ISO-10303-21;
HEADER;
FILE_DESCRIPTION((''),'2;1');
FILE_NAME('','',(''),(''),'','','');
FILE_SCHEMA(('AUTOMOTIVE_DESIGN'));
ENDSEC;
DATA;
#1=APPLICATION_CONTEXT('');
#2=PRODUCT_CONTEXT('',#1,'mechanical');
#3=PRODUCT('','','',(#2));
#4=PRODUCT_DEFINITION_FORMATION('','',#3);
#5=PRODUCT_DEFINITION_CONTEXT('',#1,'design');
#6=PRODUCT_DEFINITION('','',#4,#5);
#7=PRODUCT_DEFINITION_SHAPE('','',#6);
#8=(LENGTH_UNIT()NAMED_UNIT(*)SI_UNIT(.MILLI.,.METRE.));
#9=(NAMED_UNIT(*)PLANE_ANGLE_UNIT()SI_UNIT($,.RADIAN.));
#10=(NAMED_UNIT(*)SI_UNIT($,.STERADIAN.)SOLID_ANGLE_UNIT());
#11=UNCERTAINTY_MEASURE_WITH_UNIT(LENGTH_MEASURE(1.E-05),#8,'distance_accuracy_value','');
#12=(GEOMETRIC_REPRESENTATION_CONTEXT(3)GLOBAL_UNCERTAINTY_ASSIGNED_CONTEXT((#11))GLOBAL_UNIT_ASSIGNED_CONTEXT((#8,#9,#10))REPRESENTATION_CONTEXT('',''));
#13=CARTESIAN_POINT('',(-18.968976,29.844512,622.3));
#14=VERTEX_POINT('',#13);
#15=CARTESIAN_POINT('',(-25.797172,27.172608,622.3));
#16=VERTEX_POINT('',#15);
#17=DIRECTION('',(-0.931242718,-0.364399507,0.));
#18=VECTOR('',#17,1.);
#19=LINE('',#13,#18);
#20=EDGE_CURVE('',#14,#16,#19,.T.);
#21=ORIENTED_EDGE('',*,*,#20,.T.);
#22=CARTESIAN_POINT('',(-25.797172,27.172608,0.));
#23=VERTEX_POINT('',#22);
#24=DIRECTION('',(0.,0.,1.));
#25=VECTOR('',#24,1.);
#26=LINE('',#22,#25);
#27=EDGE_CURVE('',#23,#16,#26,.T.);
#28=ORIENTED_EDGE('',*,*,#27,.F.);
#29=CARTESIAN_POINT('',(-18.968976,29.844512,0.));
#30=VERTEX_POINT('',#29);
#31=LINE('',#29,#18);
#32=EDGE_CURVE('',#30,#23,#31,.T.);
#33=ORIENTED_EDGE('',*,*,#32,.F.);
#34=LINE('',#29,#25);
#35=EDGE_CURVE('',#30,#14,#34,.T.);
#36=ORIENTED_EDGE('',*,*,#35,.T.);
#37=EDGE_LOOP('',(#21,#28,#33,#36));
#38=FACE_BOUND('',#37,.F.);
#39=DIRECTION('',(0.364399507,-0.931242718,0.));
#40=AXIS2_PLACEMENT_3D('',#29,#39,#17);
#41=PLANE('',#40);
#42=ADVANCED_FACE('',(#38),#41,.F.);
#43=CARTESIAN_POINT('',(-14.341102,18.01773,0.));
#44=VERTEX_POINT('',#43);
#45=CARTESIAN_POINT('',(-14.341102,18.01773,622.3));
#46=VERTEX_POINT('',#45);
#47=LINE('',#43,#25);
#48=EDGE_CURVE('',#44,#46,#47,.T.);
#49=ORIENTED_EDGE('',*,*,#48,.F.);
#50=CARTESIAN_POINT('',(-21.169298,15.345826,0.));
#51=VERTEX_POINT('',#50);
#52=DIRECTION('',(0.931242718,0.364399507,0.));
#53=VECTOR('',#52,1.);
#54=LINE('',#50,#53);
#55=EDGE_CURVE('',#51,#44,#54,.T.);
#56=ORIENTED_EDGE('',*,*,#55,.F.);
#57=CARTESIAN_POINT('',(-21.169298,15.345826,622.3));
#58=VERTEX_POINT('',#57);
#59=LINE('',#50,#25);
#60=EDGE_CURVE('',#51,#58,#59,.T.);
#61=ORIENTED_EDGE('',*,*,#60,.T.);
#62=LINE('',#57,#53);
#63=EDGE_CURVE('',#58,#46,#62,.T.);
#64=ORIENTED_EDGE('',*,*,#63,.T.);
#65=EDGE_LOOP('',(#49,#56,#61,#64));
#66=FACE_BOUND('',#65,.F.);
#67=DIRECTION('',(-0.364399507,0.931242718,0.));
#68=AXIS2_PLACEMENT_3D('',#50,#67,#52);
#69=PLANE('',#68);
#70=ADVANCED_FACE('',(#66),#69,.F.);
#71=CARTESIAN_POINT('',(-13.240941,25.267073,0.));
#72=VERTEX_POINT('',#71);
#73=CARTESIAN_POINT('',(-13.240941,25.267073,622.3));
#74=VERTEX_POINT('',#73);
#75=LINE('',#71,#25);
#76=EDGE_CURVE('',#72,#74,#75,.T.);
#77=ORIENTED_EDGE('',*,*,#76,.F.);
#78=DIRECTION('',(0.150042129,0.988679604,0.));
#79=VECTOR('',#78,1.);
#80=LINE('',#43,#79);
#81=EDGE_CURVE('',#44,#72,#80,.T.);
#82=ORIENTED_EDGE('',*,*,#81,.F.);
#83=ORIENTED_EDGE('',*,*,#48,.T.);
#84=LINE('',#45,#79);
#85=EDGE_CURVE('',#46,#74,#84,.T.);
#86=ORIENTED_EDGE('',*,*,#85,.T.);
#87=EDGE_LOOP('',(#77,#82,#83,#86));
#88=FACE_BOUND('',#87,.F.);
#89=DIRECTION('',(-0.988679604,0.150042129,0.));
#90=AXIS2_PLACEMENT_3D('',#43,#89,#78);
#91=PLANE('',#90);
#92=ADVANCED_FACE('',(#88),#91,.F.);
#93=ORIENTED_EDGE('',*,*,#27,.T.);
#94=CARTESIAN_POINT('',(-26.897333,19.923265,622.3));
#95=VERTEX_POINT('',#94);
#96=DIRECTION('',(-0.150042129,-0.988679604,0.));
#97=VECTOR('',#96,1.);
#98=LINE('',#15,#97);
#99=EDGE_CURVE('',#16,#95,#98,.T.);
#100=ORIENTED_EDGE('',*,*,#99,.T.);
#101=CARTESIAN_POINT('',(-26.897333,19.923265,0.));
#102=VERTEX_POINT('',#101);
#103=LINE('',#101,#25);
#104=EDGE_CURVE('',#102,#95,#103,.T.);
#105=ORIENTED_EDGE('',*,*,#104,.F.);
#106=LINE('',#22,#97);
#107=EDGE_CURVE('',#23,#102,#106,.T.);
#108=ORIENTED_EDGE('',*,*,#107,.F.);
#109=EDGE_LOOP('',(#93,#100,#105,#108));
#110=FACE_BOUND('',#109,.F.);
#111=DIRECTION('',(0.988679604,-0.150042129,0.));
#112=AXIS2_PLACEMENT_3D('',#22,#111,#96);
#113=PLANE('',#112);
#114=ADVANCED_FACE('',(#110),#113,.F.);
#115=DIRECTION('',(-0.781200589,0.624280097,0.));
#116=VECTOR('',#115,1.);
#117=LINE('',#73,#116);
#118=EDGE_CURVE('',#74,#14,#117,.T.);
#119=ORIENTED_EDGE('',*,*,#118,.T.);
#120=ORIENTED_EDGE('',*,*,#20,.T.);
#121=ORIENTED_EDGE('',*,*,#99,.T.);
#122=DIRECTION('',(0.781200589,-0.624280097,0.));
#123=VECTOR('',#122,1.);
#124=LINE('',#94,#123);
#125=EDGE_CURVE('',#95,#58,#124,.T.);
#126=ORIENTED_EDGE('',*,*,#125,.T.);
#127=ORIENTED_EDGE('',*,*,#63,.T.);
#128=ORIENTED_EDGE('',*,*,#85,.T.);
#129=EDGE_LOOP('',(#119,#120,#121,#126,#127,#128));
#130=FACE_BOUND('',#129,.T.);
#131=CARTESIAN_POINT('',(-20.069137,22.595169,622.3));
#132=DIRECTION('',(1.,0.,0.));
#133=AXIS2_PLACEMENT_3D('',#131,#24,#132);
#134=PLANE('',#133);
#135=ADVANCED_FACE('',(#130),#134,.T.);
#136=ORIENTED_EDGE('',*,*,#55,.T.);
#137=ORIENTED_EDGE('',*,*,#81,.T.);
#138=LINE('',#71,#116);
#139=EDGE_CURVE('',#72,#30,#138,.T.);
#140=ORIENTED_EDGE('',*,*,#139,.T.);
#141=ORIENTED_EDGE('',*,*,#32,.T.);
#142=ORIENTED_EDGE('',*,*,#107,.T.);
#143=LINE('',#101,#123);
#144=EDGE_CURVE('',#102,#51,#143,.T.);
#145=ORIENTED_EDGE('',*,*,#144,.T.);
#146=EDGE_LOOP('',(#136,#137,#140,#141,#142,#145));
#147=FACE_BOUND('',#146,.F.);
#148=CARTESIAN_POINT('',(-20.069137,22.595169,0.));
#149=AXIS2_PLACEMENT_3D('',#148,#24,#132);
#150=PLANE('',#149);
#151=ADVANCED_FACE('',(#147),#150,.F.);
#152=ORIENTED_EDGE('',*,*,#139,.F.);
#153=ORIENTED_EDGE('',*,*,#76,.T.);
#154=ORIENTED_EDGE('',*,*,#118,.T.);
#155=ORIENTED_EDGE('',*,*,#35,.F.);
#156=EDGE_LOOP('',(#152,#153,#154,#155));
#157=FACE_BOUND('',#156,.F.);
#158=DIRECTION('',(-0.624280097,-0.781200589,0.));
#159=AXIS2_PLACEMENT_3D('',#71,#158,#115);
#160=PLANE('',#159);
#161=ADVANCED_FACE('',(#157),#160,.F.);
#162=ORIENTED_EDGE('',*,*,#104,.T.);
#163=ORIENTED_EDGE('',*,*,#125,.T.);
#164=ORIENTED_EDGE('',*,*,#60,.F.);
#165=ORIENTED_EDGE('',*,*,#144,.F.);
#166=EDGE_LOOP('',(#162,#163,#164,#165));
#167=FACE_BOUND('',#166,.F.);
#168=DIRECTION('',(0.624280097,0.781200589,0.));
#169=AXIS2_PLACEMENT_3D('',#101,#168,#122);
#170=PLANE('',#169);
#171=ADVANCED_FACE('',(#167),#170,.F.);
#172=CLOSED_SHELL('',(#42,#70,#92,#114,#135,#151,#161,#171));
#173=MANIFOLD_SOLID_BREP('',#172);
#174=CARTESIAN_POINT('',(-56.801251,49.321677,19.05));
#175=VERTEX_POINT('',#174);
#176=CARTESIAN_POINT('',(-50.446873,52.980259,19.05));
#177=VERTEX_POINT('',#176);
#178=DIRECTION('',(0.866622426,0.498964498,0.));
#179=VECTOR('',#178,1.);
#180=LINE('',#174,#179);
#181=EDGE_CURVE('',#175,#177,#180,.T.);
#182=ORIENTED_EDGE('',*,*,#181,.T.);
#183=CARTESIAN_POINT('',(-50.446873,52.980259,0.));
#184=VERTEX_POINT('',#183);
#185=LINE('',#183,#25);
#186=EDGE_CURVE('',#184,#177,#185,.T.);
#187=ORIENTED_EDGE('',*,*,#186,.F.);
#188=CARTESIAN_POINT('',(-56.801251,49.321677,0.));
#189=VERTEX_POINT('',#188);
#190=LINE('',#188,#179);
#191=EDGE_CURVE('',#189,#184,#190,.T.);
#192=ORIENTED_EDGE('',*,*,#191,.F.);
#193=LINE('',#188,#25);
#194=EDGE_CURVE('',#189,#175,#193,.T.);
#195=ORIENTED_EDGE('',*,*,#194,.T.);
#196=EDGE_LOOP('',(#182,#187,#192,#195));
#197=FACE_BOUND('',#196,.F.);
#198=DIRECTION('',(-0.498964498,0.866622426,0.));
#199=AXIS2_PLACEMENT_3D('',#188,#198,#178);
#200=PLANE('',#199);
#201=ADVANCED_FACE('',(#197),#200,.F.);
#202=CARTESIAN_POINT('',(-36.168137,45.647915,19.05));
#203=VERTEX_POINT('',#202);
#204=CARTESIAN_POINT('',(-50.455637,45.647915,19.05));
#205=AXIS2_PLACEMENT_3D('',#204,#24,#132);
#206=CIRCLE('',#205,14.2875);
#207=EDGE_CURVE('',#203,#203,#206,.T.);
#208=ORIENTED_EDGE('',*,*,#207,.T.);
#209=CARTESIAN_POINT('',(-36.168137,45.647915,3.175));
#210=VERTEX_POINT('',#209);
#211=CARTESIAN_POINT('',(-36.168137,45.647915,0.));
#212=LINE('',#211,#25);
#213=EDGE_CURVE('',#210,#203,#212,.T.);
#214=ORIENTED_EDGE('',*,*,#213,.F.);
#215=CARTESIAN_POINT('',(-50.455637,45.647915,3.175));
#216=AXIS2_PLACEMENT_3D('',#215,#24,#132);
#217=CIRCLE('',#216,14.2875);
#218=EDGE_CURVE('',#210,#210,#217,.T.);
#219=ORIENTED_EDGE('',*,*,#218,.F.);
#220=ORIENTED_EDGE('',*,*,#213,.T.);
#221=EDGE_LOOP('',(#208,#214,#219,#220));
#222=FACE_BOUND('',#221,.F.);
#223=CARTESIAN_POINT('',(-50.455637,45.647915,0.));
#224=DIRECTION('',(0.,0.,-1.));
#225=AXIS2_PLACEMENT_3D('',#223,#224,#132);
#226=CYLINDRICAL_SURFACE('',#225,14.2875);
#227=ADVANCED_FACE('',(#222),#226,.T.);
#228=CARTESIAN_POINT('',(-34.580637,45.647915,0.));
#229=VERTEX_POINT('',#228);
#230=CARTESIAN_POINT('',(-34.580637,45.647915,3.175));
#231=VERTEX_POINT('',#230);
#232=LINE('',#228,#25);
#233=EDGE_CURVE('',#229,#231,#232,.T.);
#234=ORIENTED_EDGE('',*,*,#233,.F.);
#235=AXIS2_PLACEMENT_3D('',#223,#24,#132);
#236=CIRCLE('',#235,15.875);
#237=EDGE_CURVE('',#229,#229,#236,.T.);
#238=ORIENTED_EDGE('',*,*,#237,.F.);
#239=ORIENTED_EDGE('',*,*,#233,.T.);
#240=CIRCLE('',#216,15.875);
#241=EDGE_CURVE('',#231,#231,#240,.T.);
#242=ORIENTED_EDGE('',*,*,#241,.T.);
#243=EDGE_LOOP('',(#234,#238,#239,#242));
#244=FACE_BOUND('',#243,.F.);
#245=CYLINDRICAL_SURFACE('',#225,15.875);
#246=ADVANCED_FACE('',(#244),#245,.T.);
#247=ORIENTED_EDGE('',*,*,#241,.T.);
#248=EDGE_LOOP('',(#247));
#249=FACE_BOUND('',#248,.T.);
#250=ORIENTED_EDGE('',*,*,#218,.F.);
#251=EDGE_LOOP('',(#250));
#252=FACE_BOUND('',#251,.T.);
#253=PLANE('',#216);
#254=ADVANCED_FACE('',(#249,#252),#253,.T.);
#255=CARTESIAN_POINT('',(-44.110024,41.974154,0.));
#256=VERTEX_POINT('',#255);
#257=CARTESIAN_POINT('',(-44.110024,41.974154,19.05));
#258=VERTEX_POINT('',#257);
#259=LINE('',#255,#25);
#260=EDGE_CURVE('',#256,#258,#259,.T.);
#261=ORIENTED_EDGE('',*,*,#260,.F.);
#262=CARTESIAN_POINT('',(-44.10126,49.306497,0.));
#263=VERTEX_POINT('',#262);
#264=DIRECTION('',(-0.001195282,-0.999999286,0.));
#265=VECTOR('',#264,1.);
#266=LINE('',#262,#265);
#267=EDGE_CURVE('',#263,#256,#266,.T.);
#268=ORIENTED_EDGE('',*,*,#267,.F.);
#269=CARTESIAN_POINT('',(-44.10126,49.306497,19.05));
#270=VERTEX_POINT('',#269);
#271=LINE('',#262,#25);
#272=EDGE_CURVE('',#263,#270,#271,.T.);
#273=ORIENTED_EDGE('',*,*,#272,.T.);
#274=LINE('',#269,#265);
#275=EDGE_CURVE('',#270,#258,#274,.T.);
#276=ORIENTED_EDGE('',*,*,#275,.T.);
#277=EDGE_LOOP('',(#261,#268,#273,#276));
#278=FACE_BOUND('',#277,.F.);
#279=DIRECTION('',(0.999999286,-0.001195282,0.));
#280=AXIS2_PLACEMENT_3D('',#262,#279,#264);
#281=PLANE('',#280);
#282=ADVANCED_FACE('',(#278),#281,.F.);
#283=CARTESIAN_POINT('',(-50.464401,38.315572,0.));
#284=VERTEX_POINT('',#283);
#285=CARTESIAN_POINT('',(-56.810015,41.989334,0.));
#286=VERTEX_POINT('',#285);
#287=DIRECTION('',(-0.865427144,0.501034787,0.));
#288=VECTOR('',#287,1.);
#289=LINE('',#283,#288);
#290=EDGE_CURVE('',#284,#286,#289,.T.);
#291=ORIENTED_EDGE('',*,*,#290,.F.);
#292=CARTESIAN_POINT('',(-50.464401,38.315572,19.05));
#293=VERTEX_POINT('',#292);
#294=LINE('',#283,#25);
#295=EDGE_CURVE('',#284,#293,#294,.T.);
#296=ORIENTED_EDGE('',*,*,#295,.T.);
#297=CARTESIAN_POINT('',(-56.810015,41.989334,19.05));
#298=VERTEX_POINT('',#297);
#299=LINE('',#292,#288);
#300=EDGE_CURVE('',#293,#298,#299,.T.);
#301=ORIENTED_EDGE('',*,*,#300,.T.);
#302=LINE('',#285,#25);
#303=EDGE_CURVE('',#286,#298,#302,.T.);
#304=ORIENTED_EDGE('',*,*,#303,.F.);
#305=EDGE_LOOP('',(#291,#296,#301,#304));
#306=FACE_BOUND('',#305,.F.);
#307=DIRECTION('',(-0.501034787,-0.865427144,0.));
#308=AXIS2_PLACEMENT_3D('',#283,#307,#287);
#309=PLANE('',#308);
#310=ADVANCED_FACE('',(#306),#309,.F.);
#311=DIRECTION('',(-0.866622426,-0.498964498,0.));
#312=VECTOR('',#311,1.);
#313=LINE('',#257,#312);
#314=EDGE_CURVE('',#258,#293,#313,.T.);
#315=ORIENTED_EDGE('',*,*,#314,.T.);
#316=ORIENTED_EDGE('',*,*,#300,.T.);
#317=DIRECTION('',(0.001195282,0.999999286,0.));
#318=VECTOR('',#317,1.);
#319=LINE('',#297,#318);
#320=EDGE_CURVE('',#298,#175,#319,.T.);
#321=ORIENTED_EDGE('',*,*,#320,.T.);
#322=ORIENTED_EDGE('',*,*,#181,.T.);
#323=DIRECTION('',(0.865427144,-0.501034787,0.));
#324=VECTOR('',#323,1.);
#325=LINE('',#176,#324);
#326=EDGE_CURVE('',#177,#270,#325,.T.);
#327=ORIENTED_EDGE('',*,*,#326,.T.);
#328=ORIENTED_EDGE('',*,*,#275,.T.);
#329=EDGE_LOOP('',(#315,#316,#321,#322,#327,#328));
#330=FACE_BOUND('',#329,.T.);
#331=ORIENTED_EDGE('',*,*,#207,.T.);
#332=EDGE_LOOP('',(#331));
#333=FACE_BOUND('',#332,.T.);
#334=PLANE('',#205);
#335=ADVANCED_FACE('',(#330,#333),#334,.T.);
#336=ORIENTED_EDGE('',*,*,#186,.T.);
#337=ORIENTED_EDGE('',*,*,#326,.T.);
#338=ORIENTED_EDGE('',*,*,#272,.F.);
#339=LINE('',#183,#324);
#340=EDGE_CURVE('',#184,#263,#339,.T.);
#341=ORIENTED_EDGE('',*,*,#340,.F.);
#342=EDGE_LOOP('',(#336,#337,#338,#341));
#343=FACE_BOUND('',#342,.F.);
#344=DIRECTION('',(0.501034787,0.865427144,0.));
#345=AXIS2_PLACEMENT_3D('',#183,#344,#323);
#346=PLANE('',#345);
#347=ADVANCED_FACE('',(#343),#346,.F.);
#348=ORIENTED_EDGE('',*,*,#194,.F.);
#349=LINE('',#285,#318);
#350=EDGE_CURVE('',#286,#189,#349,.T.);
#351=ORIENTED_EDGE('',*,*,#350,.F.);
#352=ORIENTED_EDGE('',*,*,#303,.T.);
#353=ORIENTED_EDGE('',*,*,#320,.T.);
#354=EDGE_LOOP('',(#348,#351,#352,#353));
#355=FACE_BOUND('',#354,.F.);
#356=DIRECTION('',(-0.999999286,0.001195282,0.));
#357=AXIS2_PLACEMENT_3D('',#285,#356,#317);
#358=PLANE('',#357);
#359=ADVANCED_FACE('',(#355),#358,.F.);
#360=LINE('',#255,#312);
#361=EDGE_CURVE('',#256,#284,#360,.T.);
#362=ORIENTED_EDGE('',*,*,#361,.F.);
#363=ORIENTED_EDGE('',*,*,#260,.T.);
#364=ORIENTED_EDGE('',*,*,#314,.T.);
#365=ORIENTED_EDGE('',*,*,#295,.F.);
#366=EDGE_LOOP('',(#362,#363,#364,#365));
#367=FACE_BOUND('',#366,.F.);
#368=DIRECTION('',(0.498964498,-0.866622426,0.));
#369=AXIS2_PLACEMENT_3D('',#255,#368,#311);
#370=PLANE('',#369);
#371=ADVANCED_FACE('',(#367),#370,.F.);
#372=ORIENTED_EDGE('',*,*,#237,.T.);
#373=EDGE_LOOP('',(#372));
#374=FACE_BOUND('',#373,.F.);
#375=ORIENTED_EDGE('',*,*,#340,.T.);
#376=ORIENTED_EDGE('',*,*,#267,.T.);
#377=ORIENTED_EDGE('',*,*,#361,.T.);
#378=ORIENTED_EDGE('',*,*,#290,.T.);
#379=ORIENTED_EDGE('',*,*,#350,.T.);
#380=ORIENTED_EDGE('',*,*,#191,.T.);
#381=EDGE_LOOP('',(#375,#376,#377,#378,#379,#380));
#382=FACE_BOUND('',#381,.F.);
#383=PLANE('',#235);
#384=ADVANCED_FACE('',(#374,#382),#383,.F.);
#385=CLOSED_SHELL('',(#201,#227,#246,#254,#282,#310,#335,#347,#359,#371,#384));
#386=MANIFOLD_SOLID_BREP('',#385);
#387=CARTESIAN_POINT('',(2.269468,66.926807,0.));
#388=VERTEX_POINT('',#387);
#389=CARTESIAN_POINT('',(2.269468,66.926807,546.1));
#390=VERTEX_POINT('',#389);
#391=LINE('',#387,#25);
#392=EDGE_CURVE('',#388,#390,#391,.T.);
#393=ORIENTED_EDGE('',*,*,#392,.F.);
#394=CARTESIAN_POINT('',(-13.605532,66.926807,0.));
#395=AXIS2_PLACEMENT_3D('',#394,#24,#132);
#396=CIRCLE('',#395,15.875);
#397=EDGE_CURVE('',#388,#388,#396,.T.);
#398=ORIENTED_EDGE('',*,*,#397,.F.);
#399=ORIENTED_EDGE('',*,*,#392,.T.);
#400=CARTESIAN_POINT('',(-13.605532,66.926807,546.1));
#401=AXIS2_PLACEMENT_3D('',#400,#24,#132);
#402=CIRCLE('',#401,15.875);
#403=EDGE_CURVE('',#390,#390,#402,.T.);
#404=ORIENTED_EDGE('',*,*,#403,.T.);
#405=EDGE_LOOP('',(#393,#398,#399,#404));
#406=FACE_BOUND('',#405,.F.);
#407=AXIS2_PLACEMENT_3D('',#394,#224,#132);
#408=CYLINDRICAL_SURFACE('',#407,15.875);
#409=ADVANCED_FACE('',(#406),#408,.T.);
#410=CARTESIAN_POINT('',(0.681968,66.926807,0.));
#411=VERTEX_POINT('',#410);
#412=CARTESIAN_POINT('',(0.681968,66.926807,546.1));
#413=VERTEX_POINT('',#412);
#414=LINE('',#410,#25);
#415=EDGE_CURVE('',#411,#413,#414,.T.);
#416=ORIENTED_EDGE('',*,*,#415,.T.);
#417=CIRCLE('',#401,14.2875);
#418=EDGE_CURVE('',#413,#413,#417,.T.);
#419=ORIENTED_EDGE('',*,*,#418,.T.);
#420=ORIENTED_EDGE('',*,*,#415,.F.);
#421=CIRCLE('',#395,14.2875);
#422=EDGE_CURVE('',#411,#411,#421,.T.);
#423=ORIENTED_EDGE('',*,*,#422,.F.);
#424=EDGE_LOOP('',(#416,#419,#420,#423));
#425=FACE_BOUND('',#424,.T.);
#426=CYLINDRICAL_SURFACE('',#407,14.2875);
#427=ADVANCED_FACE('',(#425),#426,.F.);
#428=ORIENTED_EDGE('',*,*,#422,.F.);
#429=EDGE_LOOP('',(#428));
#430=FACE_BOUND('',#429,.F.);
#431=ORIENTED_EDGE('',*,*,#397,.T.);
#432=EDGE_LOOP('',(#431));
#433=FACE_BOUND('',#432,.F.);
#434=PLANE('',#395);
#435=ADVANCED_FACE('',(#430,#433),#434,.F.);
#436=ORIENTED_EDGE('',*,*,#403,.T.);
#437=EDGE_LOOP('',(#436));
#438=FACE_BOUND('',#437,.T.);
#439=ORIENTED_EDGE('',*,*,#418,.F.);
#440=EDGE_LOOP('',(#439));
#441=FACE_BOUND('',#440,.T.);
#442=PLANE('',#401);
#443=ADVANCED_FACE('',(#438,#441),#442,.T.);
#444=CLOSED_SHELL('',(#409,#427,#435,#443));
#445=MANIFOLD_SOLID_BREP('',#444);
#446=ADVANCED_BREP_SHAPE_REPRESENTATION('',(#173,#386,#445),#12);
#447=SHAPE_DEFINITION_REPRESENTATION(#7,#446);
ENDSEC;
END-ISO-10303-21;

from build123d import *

# Parameters (mm, degrees)
F1_R     = 15.875
F1_R_2   = 14.2875
F2_DEPTH = 3.175
F3_DEPTH = 19.05
F4_R     = 15.875
F4_R_2   = 14.2875
F5_DEPTH = 546.1
F7_DEPTH = 622.3


with BuildPart() as f2:
    # F1 (on Top) → F2 (new body)
    with BuildSketch(Plane.XY):
        with Locations((-50.4556372762, 45.6479154527)):
            Circle(F1_R)
        with Locations((-50.4556372762, 45.6479154527)):
            Circle(F1_R_2, mode=Mode.SUBTRACT)
    extrude(amount=F2_DEPTH)

    # F1 (on Top) → F3 (join)
    with BuildSketch(Plane.XY):
        with Locations((-50.4556372762, 45.6479154527)):
            Circle(F1_R_2)
        Polygon((-56.8100148519, 41.9893339027), (-56.8012506282, 49.3216770836), (-50.4468730524, 52.9802586336), (-44.1012597004, 49.3064970027), (-44.1100239242, 41.9741538219), (-50.4644014999, 38.3155722719), align=None, mode=Mode.SUBTRACT)
    extrude(amount=F3_DEPTH)


with BuildPart() as f5:
    # F4 (on Top) → F5 (new body)
    with BuildSketch(Plane.XY):
        with Locations((-13.6055322364, 66.9268071651)):
            Circle(F4_R)
        with Locations((-13.6055322364, 66.9268071651)):
            Circle(F4_R_2, mode=Mode.SUBTRACT)
    extrude(amount=F5_DEPTH)


with BuildPart() as f7:
    # F6 (on Top) → F7 (new body)
    with BuildSketch(Plane.XY):
        Polygon((-21.1692983805, 15.3458256907), (-14.3411023118, 18.0177298397), (-13.2409411469, 25.2670731716), (-18.9689760507, 29.8445123546), (-25.7971721194, 27.1726082057), (-26.8973332843, 19.9232648738), align=None)
    extrude(amount=F7_DEPTH)


solid = Compound([f2.part, f5.part, f7.part])
